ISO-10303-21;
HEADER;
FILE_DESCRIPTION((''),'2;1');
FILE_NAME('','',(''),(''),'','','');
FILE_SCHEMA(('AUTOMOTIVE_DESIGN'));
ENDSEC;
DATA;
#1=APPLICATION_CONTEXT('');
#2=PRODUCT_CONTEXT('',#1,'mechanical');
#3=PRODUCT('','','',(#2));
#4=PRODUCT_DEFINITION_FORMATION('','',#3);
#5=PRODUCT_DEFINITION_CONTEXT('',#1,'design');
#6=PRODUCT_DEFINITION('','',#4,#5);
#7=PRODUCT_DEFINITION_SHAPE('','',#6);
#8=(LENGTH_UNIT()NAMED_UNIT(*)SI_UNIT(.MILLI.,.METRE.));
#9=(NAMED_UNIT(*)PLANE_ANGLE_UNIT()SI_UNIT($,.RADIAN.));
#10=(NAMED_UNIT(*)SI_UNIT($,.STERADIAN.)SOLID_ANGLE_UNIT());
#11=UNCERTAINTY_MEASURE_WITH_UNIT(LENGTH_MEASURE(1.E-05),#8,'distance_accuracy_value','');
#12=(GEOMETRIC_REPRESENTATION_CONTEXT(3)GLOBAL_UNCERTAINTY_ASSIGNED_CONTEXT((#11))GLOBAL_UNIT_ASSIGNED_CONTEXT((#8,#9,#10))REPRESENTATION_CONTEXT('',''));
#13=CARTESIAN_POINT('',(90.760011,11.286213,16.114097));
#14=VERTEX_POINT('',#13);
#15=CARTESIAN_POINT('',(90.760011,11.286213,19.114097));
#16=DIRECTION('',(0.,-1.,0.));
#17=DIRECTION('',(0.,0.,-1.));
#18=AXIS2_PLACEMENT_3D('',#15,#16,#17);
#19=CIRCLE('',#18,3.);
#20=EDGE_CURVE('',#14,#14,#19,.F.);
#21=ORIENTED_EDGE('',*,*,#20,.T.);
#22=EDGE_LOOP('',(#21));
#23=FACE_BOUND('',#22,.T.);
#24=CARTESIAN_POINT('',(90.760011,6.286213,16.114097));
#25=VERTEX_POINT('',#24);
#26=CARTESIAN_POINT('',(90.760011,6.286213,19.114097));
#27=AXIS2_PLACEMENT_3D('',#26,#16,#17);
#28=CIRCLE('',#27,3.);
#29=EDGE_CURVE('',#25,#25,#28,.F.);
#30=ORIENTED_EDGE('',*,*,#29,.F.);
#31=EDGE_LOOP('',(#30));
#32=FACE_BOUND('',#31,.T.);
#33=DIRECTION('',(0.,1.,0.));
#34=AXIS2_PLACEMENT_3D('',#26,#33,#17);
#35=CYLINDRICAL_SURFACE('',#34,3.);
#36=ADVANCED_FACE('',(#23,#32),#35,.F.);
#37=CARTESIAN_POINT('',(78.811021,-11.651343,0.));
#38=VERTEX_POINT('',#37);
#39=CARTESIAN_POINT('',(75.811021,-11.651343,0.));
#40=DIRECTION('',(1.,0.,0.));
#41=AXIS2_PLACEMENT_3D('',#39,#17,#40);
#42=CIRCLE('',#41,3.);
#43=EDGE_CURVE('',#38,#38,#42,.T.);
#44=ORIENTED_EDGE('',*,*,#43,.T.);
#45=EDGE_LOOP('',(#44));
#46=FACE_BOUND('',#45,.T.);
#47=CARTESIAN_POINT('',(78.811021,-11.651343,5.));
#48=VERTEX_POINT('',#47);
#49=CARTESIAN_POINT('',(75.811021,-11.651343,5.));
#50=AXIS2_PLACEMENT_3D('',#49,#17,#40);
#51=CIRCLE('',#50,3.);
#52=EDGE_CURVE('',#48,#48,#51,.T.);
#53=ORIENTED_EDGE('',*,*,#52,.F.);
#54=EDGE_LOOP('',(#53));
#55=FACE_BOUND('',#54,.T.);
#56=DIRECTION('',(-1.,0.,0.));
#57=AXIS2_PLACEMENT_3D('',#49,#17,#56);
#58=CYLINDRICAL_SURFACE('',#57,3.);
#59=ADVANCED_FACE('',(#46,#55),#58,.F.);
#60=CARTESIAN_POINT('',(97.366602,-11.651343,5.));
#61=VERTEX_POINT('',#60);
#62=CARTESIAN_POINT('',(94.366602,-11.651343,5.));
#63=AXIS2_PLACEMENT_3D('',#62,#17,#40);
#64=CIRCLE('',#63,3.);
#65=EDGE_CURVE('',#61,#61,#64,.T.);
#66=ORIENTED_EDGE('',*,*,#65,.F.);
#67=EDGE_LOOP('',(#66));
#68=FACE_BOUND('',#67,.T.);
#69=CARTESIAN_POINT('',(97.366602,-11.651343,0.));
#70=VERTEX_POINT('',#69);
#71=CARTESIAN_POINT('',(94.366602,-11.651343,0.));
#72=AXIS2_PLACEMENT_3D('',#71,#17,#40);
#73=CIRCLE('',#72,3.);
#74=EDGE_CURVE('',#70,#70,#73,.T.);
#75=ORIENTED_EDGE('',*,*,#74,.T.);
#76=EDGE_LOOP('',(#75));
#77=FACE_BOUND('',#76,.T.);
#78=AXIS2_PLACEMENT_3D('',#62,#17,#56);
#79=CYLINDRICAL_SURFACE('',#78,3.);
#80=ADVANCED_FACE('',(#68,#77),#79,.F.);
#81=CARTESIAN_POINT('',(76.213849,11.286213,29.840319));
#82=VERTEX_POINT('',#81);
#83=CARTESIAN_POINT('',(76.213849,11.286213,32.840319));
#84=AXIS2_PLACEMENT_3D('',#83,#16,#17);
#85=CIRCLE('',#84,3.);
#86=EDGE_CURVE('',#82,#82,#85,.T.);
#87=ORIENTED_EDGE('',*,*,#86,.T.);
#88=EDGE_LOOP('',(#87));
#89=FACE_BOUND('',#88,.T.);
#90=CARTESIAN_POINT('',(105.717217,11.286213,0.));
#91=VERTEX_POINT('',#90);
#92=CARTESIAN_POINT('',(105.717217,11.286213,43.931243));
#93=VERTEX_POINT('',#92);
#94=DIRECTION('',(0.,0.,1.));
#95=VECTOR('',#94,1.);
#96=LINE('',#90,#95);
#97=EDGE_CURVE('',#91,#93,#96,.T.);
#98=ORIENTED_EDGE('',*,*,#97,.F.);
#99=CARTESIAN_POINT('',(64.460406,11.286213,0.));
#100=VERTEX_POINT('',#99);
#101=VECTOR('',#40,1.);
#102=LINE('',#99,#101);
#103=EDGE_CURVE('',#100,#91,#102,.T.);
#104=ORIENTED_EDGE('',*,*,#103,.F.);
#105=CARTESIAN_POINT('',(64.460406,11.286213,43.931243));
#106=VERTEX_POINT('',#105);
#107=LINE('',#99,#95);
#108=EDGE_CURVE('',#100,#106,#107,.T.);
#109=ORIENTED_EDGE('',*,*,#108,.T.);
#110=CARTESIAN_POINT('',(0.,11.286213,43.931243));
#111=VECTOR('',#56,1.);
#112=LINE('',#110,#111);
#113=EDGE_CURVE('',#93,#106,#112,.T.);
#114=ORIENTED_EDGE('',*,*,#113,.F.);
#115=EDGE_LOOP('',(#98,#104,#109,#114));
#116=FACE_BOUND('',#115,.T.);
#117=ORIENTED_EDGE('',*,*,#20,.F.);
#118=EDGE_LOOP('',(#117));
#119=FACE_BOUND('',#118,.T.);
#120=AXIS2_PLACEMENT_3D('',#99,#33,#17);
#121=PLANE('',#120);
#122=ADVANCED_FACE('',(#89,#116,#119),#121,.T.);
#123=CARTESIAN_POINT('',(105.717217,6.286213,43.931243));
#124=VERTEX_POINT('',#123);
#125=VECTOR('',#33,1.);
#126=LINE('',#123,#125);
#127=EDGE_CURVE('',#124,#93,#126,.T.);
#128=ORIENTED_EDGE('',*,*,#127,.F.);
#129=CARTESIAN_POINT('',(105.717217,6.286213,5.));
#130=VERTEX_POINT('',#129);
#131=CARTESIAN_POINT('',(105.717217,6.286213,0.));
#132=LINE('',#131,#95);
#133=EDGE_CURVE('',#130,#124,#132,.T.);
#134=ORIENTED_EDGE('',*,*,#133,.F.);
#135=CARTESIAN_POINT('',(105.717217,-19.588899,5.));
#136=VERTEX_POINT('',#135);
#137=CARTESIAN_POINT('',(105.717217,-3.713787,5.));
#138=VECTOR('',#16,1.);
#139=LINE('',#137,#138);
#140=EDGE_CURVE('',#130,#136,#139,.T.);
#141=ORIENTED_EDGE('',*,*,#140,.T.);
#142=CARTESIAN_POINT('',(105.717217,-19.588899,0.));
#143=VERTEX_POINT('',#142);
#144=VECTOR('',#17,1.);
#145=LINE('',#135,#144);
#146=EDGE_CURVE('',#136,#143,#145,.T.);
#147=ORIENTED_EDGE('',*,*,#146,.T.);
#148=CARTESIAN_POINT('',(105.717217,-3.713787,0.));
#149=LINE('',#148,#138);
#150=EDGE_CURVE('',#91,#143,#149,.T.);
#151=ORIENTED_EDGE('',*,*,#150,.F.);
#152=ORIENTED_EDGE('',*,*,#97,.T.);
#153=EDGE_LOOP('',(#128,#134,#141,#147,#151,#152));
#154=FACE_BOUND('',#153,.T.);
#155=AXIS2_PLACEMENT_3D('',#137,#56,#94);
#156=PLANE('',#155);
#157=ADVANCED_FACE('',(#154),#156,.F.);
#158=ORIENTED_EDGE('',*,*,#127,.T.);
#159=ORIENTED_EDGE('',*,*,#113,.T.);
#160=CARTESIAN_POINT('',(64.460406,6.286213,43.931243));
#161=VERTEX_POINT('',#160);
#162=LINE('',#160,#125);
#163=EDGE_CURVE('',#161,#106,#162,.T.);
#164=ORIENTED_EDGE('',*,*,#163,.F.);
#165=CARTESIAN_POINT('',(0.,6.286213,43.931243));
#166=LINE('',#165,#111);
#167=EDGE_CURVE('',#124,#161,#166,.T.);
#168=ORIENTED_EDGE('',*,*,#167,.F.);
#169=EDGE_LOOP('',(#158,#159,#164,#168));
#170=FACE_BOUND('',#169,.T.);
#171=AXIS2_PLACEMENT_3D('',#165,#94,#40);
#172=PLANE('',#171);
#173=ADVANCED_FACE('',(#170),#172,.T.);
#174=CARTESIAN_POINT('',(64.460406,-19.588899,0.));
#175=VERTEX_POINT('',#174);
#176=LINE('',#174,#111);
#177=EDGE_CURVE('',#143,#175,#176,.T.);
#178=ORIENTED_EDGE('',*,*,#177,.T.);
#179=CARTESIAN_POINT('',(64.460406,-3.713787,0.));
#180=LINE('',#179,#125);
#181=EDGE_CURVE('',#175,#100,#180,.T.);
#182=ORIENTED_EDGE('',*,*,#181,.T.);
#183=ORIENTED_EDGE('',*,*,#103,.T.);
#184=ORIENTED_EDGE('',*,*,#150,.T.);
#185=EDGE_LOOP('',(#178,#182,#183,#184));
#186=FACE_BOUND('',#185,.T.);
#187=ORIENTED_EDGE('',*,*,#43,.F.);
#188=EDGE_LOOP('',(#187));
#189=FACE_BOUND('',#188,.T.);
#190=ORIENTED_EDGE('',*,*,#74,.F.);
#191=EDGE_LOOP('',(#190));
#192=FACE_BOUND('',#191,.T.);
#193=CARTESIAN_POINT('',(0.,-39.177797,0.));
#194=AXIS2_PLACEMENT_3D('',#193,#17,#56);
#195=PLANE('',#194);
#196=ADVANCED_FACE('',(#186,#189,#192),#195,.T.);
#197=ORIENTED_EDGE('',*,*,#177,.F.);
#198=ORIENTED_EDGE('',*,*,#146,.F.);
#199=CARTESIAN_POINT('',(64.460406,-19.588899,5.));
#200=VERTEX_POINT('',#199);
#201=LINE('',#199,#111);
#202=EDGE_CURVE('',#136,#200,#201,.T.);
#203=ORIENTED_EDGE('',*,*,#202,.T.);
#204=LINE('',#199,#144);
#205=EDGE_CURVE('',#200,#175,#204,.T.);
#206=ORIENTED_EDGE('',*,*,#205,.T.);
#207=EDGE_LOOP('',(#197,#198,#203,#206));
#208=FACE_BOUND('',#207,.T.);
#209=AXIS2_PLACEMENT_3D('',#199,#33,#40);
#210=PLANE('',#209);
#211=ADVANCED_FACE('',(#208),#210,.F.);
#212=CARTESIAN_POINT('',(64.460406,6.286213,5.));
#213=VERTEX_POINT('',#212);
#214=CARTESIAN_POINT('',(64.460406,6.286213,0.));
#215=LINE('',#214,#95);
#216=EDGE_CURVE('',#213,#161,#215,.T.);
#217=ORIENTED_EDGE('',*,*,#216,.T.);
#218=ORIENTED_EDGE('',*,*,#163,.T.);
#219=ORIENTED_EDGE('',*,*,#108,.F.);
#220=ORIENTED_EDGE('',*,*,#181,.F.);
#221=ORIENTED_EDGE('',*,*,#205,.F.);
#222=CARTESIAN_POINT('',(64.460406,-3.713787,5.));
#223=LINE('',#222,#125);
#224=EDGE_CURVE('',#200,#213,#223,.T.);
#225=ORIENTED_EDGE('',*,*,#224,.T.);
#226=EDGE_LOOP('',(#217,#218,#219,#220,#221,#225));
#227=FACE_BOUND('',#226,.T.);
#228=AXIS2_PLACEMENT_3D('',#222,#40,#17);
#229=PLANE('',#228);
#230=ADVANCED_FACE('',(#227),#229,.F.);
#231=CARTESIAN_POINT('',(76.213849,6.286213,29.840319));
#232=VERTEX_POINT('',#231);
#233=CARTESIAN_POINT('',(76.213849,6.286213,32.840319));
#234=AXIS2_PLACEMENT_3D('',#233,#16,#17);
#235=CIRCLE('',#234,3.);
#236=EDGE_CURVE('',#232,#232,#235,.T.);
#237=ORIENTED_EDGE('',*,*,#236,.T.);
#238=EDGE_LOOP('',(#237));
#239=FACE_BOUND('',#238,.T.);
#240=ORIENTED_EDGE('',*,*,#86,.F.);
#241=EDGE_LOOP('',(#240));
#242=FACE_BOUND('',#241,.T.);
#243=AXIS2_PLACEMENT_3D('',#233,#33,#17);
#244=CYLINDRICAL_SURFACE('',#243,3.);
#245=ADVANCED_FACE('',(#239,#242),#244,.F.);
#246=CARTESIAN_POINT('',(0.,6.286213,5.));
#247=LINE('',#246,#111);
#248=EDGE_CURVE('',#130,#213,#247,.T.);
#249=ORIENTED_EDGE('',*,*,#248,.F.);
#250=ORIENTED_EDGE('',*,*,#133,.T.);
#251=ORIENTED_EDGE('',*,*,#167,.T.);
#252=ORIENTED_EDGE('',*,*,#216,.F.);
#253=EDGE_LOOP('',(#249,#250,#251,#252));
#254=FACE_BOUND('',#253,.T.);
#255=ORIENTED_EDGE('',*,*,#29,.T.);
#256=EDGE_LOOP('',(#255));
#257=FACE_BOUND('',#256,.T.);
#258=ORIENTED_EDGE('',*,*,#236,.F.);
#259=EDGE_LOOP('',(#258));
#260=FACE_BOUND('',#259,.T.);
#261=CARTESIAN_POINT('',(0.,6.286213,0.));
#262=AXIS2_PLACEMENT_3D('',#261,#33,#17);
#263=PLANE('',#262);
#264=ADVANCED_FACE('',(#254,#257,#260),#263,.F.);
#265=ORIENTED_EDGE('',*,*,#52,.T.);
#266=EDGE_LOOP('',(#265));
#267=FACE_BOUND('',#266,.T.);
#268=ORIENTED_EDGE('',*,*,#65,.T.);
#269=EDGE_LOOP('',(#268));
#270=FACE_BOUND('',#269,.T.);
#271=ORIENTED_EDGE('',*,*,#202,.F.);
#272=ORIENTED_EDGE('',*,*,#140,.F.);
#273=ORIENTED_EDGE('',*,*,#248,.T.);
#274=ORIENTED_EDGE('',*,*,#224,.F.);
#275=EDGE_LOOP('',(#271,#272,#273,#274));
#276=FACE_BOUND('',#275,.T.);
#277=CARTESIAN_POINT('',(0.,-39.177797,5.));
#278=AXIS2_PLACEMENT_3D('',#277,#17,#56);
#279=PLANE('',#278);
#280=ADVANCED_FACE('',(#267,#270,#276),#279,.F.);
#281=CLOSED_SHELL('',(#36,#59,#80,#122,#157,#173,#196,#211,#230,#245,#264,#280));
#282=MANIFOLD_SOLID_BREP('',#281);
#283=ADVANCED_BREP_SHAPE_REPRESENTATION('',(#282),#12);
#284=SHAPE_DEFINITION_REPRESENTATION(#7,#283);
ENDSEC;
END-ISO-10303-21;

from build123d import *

# Parameters (mm, degrees)
SKETCH1_W           = 41.256811376
SKETCH1_H           = 15.875111739
SKETCH1_R           = 3
BOSS_EXTRUDE1_DEPTH = 5
SKETCH2_W           = 41.256811376
SKETCH2_H           = 15
BOSS_EXTRUDE3_DEPTH = 5
SKETCH3_W           = 41.256811376
SKETCH3_H           = 38.931242613
SKETCH3_R           = 3
BOSS_EXTRUDE5_DEPTH = 5


with BuildPart() as part:
    # Sketch1 → Boss-Extrude1 (new body)
    with BuildSketch(Plane.XY):
        with Locations((85.088811215, -27.526454456)):
            Rectangle(SKETCH1_W, SKETCH1_H)
        with Locations((94.366601686, -27.526454455)):
            Circle(SKETCH1_R, mode=Mode.SUBTRACT)
        with Locations((75.811020744, -27.526454455)):
            Circle(SKETCH1_R, mode=Mode.SUBTRACT)
    extrude(amount=BOSS_EXTRUDE1_DEPTH)

    # Sketch2 → Boss-Extrude3 (add)
    with BuildSketch(Plane.XY.offset(5)):
        with Locations((85.088811215, -42.964010325)):
            Rectangle(SKETCH2_W, SKETCH2_H)
    extrude(amount=-BOSS_EXTRUDE3_DEPTH)

    # Sketch3 → Boss-Extrude5 (add)
    with BuildSketch(Plane.XZ.offset(50.464010325)):
        with Locations((85.088811215, 24.465621307)):
            Rectangle(SKETCH3_W, SKETCH3_H)
        with Locations(Location((76.213848726, 32.840318874, 0), (0, 0, 270))):
            Circle(SKETCH3_R, mode=Mode.SUBTRACT)
        with Locations(Location((90.760010617, 19.114096734, 0), (0, 0, 270))):
            Circle(SKETCH3_R, mode=Mode.SUBTRACT)
    extrude(amount=-BOSS_EXTRUDE5_DEPTH)


with BuildPart() as body_2:
    # Mirror1: mirrored copy
    add(part.part.mirror(Plane(origin=(64.460405527, -19.588898586, 5), x_dir=(0, 0, 1), z_dir=(0, -1, 0))))


solid = body_2.part
